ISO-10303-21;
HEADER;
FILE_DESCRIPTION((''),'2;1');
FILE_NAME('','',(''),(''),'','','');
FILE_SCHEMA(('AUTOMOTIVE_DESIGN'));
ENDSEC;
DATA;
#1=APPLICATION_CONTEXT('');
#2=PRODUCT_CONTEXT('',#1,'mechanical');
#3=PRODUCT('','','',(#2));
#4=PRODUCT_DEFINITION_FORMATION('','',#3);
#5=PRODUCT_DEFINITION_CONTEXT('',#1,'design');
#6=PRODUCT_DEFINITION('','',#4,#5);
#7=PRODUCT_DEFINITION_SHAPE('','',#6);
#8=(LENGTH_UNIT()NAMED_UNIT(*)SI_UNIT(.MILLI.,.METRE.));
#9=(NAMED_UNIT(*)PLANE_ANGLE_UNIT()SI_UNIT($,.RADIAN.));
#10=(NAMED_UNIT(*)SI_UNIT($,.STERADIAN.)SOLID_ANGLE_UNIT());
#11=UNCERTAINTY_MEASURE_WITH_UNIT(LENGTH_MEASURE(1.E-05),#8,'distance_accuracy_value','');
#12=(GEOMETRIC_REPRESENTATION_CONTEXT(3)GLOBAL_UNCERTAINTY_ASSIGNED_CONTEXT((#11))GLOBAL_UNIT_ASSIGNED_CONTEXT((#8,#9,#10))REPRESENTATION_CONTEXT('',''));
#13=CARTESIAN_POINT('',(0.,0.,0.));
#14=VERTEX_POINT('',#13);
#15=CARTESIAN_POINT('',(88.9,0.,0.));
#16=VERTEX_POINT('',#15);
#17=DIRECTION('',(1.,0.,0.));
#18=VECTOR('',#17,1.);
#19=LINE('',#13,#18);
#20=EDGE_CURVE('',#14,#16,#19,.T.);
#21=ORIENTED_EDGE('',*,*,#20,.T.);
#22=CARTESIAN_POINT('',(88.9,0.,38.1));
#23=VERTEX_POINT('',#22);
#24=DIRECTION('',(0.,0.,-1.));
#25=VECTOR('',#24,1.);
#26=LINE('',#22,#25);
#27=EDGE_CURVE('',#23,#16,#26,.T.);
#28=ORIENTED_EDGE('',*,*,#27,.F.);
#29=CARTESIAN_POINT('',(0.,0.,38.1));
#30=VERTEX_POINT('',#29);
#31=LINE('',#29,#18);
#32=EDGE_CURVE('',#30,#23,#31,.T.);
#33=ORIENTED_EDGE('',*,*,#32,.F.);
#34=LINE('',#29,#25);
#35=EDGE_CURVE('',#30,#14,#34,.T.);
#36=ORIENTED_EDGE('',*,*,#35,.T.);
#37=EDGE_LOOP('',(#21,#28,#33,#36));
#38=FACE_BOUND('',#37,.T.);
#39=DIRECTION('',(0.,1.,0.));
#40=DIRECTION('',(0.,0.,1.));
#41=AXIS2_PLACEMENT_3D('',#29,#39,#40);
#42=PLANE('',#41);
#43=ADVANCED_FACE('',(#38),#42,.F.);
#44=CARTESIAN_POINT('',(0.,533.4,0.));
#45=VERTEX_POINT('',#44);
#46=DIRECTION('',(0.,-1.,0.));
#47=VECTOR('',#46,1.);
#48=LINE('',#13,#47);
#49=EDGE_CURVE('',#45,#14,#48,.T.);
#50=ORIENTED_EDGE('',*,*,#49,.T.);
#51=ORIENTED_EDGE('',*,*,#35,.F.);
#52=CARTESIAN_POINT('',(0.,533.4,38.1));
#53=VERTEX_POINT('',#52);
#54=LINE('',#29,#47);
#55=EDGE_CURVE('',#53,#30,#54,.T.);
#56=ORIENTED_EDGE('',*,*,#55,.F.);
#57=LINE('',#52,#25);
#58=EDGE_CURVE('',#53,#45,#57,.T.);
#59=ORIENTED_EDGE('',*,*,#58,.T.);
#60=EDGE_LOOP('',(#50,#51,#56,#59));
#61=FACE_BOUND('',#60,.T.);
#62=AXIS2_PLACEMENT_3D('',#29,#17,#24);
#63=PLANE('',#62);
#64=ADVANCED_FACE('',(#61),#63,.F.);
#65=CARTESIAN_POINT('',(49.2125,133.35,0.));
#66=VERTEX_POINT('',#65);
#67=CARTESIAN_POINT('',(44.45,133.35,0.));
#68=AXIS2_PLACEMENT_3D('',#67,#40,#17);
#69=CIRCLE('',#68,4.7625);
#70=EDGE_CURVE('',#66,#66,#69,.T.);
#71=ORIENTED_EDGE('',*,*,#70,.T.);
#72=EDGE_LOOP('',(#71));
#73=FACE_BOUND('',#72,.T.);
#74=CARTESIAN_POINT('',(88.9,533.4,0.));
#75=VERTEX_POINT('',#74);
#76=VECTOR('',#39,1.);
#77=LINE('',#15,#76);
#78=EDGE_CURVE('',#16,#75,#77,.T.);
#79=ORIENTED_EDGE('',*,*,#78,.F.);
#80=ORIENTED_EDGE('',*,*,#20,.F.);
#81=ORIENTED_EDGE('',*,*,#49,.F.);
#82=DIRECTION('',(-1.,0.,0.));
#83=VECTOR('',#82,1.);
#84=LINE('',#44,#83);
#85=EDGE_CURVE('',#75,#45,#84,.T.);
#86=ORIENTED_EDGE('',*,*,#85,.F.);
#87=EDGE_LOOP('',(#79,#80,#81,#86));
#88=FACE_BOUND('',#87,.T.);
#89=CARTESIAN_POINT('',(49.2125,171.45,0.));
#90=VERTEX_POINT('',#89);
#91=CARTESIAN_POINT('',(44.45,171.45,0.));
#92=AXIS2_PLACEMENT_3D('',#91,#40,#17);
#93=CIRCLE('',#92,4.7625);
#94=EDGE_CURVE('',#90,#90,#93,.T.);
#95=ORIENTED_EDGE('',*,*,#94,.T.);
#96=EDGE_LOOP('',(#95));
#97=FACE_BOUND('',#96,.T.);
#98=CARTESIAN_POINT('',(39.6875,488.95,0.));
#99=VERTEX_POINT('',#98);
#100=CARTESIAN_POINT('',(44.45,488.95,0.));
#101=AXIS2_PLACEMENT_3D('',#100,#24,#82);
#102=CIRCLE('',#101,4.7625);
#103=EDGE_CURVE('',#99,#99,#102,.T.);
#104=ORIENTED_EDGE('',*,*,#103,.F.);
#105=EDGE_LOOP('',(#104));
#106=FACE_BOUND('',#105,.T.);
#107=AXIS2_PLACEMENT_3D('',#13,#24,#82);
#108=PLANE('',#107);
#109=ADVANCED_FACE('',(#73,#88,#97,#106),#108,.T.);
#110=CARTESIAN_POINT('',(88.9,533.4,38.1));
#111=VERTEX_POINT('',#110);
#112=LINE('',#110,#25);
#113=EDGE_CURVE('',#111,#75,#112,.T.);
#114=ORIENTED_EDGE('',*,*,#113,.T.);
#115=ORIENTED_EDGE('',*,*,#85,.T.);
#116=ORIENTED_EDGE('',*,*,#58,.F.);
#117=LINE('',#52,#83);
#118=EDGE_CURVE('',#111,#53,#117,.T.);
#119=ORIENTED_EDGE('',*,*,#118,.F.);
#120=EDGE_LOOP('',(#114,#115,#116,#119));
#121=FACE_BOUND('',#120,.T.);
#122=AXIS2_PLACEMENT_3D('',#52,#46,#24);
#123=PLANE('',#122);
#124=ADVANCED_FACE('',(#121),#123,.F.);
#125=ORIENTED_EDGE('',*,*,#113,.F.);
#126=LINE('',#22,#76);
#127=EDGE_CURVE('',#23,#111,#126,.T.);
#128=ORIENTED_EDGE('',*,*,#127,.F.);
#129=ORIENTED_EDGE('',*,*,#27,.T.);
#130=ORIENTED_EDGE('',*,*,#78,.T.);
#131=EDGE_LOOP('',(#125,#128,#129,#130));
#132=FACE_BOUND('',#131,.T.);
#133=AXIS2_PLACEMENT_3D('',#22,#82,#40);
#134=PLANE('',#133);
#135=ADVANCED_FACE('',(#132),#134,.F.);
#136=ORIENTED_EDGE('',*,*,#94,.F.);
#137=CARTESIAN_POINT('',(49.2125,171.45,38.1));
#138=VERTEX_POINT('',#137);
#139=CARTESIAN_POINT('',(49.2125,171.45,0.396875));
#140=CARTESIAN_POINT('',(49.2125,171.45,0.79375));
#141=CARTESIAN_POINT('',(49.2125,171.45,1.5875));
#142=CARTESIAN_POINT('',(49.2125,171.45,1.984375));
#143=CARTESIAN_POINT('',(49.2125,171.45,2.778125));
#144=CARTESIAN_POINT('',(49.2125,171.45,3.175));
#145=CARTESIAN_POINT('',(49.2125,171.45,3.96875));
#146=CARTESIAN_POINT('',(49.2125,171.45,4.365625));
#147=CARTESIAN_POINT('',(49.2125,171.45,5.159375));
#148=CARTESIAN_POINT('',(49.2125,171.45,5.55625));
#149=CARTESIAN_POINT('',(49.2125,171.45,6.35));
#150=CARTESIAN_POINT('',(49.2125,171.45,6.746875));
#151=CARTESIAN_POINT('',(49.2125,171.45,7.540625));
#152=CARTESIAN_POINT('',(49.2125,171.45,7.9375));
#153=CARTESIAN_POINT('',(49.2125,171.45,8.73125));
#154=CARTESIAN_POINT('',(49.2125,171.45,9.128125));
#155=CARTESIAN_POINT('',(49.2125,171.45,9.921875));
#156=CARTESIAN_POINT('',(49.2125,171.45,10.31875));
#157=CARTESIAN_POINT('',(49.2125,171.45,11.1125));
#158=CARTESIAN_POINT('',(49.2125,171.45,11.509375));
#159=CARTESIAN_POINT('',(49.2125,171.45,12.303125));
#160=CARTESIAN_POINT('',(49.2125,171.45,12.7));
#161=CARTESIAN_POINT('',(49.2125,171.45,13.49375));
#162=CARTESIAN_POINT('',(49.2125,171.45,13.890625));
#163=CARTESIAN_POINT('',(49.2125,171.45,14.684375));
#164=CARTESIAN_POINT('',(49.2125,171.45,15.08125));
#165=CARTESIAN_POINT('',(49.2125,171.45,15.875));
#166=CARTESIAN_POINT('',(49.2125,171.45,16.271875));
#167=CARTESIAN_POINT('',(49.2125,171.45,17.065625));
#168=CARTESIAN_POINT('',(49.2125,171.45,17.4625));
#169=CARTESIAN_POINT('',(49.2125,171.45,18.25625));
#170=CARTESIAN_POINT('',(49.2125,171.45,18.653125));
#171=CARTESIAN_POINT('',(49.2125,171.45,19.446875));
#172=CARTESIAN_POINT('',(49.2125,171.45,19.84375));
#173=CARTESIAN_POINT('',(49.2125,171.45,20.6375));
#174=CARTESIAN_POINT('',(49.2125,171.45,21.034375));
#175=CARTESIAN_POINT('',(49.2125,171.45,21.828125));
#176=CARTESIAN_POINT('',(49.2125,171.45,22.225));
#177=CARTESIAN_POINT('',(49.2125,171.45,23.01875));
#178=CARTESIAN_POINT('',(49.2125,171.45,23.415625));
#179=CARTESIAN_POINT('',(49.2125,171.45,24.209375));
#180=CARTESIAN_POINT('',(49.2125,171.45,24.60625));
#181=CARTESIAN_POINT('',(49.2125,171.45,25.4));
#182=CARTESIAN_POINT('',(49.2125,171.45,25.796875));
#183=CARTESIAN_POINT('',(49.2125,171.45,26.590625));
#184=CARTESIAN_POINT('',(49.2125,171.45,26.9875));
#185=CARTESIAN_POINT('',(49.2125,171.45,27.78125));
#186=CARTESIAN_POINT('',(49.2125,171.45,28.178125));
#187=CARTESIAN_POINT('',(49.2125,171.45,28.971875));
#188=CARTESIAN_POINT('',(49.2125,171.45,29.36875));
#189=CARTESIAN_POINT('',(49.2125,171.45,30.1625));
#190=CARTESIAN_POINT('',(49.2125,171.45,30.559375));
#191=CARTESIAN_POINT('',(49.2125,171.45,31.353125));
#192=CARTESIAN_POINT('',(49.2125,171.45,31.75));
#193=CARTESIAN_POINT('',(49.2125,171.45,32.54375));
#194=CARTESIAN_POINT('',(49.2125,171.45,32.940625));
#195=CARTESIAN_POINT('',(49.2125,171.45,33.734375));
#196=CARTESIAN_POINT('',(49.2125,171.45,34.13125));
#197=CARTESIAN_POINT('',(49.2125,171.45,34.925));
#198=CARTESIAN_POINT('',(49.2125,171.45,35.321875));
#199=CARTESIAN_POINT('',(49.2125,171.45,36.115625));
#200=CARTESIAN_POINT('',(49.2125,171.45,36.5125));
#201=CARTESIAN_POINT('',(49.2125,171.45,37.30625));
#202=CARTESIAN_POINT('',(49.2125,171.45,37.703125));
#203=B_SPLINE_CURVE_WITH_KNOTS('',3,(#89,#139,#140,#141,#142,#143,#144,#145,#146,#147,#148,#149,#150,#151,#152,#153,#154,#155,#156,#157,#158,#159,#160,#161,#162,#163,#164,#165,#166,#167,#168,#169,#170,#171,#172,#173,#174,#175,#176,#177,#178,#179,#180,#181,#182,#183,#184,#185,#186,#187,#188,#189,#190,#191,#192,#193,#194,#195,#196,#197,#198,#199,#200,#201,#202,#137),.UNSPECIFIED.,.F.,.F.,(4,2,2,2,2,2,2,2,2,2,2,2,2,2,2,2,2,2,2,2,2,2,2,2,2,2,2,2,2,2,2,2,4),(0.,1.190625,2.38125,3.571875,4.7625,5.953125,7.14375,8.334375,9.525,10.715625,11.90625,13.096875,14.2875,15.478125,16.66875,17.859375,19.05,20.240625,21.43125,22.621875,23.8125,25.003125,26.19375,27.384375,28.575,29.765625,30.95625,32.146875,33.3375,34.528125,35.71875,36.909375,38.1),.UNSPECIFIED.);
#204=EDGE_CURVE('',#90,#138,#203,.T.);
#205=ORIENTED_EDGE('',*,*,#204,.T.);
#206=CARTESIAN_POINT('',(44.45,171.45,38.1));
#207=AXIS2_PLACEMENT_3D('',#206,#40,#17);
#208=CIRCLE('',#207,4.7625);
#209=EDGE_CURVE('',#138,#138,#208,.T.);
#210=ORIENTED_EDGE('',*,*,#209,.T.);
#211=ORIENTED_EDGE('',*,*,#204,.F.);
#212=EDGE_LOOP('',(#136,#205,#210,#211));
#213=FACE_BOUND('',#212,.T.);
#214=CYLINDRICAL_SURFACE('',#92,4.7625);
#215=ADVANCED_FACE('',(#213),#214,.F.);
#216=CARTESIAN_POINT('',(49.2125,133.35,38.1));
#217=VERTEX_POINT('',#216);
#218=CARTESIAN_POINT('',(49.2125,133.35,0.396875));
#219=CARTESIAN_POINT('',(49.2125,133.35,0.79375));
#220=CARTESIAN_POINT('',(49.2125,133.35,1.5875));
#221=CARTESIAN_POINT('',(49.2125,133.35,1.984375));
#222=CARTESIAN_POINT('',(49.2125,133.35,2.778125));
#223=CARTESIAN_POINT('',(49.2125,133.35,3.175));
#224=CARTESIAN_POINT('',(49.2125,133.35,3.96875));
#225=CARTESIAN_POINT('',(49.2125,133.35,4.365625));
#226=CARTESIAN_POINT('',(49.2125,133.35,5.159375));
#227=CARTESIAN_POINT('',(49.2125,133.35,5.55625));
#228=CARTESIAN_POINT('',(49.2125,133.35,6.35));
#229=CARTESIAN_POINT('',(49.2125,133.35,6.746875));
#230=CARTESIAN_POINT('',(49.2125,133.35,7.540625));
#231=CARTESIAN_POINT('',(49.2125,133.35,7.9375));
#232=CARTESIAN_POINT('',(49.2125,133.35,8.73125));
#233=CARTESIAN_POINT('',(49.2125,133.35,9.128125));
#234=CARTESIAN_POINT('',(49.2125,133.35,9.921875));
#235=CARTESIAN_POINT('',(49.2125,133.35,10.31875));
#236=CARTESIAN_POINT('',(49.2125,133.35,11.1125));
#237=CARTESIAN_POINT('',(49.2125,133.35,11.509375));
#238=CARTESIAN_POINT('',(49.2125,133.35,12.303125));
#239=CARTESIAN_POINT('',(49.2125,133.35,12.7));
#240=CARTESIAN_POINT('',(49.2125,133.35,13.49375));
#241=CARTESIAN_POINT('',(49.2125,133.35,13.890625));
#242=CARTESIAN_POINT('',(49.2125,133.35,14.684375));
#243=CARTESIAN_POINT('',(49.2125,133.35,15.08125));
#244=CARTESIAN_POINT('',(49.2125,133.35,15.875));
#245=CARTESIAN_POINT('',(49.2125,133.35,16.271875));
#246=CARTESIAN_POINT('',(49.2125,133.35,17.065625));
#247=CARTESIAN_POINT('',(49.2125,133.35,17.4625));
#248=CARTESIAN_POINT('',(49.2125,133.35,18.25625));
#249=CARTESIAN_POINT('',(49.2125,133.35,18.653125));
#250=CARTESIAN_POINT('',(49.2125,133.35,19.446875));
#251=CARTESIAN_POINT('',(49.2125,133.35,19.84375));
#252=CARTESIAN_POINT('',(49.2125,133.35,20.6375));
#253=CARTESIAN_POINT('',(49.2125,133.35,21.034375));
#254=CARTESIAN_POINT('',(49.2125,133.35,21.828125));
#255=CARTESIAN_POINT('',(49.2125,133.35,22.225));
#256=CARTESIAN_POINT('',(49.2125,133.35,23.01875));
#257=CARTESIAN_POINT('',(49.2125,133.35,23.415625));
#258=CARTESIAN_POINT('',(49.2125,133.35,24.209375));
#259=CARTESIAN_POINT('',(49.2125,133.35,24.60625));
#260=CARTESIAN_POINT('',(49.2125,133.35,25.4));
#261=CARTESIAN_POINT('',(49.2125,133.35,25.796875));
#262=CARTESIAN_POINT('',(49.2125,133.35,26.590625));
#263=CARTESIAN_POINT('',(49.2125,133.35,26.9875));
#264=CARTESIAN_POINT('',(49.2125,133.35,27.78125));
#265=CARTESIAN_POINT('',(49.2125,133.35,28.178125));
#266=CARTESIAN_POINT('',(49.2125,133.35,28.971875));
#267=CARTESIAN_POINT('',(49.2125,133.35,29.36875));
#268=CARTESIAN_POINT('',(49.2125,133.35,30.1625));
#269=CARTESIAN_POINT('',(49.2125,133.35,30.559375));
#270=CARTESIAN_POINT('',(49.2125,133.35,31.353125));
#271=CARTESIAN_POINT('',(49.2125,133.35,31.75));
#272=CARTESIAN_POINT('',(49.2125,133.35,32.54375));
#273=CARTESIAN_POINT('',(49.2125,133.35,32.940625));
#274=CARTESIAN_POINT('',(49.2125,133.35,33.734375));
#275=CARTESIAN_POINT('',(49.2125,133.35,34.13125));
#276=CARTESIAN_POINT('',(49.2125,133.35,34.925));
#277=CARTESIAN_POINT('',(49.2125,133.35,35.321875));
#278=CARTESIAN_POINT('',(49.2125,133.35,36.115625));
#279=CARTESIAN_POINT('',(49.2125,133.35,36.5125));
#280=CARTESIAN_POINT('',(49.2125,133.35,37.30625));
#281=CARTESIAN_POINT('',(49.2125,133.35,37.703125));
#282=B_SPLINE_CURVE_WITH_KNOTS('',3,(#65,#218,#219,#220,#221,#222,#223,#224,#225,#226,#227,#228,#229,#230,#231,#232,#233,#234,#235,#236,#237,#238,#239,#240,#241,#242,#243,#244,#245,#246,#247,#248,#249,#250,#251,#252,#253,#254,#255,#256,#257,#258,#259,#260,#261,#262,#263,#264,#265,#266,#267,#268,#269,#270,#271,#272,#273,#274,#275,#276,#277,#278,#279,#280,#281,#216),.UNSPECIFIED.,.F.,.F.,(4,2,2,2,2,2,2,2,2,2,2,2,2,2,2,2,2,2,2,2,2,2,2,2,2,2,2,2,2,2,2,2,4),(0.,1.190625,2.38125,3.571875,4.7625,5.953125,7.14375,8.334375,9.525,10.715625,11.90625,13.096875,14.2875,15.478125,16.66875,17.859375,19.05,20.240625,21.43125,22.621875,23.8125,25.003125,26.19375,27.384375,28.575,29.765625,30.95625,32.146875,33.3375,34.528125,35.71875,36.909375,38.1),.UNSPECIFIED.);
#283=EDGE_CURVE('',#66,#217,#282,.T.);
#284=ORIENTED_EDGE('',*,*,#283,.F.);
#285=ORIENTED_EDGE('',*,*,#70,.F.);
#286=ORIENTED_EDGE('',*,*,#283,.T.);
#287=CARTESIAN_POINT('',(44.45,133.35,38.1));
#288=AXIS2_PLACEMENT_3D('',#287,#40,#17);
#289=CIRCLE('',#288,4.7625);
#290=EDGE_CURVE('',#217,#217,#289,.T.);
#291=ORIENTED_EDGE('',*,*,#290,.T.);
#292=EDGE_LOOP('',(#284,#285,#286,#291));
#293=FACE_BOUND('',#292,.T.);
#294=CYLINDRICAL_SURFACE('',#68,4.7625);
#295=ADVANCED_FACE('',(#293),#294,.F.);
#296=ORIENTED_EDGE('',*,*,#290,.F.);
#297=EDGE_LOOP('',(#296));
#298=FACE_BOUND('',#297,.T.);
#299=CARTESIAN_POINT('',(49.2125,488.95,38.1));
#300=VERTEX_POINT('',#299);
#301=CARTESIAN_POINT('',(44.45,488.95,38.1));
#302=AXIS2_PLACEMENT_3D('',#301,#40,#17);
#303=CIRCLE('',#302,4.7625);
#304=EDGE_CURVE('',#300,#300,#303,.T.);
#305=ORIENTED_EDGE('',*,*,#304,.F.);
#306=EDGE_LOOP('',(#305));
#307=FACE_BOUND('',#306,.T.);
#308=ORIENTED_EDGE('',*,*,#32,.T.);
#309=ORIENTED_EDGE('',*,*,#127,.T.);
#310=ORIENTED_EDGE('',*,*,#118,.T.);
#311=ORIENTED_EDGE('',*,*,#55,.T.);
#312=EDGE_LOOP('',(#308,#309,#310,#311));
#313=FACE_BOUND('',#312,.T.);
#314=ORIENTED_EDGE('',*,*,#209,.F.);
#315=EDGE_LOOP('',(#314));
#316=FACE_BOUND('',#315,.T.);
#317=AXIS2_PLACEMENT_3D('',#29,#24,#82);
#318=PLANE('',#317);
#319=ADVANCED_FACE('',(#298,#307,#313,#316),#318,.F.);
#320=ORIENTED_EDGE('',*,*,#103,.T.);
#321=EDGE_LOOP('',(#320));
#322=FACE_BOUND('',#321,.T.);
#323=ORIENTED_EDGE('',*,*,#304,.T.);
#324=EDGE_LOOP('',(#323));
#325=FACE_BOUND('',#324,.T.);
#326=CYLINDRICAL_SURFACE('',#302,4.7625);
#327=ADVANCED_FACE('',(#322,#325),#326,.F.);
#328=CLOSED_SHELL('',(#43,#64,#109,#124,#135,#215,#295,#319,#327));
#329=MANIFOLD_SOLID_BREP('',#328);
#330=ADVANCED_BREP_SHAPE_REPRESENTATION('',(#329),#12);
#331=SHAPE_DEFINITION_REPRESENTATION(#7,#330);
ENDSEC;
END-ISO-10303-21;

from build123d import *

# Parameters (mm, degrees)
SKETCH1_W                        = 88.9
SKETCH1_H                        = 533.4
BOSS_EXTRUDE1_DEPTH              = 38.1
F_3_8_0_375_DIAMETER_HOLE1_D     = 9.525
F_3_8_0_375_DIAMETER_HOLE1_DEPTH = 76.2
F_3_8_0_375_DIAMETER_HOLE1_TIP   = 2.861598698
SKETCH4_R                        = 4.7625
CUT_EXTRUDE1_DEPTH               = 543.098127648
SKETCH5_R                        = 4.7625
CUT_EXTRUDE2_DEPTH               = 543.098127648


with BuildPart() as part:
    # Sketch1 → Boss-Extrude1 (new body)
    with BuildSketch(Plane.XY):
        with Locations((44.45, 266.7)):
            Rectangle(SKETCH1_W, SKETCH1_H)
    extrude(amount=BOSS_EXTRUDE1_DEPTH)

    # 3/8 (0.375) Diameter Hole1
    with Locations(Plane.XY.offset(38.1)):
        with Locations((44.45, 488.95)):
            Hole(F_3_8_0_375_DIAMETER_HOLE1_D / 2, depth=F_3_8_0_375_DIAMETER_HOLE1_DEPTH)
            with Locations((0, 0, -(F_3_8_0_375_DIAMETER_HOLE1_DEPTH + F_3_8_0_375_DIAMETER_HOLE1_TIP / 2))):  # 118° drill point
                Cone(0, F_3_8_0_375_DIAMETER_HOLE1_D / 2, F_3_8_0_375_DIAMETER_HOLE1_TIP, mode=Mode.SUBTRACT)

    # Sketch4 → Cut-Extrude1 (cut, through all)
    with BuildSketch(Plane.XY.offset(38.1)):
        with Locations((44.45, 133.35)):
            Circle(SKETCH4_R)
    extrude(amount=-CUT_EXTRUDE1_DEPTH, mode=Mode.SUBTRACT)

    # Sketch5 → Cut-Extrude2 (cut, through all)
    with BuildSketch(Plane.XY.offset(38.1)):
        with Locations((44.45, 171.45)):
            Circle(SKETCH5_R)
    extrude(amount=-CUT_EXTRUDE2_DEPTH, mode=Mode.SUBTRACT)


solid = part.part
